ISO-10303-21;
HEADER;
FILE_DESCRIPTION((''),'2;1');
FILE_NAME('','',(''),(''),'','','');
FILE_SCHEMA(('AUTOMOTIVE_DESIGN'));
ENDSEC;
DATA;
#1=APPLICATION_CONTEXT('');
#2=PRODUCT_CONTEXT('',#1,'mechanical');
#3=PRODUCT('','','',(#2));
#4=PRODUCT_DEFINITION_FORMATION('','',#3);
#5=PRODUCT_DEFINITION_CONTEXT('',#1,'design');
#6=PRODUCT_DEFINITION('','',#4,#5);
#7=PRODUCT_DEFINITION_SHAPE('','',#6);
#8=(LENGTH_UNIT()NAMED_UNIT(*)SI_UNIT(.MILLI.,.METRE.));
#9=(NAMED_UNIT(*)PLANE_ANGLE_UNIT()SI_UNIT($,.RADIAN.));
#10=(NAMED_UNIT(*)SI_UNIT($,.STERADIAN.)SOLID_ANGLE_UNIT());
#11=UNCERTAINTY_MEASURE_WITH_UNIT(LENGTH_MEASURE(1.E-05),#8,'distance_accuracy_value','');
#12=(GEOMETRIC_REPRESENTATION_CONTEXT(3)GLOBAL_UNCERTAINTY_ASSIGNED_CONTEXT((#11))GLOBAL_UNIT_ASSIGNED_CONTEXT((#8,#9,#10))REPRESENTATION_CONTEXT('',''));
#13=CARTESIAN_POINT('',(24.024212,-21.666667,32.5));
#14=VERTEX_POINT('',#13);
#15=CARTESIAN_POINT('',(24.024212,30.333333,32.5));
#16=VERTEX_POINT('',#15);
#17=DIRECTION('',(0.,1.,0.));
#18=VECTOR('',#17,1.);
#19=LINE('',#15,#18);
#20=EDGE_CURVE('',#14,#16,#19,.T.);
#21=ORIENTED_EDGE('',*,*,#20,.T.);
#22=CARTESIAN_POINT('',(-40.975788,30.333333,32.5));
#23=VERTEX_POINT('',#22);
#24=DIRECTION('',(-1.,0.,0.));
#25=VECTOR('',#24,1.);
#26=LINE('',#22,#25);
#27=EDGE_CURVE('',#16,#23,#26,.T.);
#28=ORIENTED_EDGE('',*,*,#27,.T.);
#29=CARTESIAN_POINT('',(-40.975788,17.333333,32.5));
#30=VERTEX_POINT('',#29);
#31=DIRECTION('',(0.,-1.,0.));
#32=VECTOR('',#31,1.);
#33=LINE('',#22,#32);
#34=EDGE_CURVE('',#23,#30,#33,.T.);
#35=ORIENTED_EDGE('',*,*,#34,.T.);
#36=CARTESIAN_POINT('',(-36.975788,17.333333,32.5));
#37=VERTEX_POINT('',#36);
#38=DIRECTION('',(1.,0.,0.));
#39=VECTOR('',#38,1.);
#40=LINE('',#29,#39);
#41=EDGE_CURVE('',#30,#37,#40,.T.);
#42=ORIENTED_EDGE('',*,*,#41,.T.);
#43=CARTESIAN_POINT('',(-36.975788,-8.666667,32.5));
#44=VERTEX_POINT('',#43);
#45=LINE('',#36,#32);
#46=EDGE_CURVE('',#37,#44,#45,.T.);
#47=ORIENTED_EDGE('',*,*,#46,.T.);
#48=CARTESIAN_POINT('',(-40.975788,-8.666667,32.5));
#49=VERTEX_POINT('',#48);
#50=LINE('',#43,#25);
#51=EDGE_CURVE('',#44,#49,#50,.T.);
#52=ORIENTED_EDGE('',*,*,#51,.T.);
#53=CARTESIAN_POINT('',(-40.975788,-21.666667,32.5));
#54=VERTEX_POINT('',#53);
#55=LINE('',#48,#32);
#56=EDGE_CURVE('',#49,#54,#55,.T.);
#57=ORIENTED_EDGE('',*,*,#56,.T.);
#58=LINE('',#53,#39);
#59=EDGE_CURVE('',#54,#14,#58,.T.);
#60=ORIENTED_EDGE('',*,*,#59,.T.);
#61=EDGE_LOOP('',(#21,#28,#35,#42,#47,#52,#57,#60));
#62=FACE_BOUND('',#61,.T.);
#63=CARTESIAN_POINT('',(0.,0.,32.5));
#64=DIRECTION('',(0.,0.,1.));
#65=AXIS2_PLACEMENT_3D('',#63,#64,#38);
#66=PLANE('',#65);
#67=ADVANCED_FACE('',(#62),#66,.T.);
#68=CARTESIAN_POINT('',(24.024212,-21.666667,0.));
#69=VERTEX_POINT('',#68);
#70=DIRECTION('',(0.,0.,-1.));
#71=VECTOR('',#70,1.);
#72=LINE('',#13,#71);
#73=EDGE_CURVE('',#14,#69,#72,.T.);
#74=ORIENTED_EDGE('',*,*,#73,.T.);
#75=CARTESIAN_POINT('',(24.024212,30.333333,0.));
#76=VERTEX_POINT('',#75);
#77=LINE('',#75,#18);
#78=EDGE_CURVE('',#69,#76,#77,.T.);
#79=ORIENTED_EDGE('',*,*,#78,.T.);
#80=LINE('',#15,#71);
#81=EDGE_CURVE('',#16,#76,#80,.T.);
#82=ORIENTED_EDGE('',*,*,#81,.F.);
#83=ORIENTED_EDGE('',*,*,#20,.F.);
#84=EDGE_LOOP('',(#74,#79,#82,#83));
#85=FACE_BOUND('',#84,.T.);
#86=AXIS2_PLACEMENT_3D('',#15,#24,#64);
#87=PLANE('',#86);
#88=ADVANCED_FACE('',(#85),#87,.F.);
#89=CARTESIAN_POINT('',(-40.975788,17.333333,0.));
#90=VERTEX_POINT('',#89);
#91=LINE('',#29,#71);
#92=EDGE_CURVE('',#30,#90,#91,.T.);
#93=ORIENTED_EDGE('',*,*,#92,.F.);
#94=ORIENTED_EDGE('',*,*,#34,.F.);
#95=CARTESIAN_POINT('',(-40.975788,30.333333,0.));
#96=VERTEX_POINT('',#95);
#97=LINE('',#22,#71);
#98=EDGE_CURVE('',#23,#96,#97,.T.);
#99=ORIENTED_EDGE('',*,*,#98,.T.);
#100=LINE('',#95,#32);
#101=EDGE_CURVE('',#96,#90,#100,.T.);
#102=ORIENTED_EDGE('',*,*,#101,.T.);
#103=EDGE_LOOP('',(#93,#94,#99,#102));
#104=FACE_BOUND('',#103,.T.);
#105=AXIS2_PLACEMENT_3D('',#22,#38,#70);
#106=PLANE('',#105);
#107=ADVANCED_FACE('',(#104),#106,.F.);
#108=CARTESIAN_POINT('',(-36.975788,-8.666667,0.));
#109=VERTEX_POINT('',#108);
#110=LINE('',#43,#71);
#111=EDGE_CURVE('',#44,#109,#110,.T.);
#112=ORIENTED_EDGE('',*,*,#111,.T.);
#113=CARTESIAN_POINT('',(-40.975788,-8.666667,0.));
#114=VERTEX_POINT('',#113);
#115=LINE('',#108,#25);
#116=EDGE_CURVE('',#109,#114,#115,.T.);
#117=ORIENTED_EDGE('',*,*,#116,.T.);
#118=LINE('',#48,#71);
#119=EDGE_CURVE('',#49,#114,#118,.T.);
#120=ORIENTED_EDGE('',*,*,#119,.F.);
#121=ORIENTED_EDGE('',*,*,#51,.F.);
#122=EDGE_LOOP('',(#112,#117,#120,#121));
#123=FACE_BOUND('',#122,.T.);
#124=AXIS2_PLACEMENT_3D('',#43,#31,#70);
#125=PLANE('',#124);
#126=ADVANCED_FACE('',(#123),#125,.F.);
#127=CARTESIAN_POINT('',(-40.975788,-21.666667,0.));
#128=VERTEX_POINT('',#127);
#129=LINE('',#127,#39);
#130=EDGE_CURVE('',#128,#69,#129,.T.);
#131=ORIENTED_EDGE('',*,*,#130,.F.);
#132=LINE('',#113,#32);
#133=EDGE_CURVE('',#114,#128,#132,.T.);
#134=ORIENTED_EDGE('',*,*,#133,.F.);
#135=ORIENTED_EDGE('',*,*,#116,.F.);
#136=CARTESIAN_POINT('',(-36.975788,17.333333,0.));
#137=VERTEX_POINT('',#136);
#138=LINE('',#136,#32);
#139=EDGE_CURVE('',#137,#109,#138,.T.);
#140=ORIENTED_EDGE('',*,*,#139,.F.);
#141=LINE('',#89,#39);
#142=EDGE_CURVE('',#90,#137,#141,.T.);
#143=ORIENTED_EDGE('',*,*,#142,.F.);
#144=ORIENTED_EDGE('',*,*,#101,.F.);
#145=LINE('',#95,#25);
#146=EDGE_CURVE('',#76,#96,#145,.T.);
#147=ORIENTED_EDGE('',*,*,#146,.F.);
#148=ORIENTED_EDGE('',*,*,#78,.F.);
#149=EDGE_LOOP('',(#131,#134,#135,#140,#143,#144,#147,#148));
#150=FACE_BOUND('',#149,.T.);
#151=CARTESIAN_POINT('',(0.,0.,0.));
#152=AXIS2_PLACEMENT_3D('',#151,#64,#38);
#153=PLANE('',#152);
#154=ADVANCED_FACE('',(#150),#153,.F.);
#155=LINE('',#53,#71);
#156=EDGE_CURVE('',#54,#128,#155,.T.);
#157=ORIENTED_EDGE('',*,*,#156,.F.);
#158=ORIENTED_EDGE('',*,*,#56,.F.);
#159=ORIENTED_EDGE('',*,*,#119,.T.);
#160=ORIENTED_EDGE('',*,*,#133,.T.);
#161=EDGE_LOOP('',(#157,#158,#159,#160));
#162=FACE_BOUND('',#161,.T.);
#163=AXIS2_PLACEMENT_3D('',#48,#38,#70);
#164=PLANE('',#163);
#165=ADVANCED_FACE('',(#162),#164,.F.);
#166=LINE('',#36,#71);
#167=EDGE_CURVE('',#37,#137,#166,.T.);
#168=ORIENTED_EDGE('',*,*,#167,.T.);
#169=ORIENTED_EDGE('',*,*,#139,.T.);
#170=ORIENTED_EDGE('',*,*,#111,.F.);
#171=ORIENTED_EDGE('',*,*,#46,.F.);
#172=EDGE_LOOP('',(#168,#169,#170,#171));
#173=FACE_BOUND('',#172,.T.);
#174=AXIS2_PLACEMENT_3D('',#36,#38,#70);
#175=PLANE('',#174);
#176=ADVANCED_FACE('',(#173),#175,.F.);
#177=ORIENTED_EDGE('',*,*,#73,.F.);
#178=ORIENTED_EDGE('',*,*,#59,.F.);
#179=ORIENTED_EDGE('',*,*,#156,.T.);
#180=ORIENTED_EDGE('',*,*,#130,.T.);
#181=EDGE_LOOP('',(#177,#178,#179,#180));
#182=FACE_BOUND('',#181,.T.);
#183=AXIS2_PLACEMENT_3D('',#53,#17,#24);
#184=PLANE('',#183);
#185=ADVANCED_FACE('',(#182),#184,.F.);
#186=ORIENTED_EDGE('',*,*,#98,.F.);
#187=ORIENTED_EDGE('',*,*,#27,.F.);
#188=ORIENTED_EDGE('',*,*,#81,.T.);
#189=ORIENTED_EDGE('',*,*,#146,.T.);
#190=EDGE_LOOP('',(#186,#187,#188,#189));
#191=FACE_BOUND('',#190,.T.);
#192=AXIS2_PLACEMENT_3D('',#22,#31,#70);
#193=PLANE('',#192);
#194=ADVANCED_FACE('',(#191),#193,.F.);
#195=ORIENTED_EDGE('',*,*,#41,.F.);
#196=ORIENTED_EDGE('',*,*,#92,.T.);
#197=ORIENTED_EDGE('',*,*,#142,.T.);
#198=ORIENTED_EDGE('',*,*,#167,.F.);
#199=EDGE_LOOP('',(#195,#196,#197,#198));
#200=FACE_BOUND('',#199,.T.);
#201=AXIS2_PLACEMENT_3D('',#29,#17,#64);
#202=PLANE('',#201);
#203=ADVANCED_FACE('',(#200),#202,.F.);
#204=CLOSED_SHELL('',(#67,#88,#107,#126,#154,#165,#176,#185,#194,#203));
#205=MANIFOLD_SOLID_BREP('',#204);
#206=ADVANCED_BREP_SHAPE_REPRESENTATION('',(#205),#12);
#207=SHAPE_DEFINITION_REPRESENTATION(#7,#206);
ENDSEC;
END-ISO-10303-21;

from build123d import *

# Parameters (mm, degrees)
RESSALTO_EXTRUS_O1_DEPTH = 32.5


with BuildPart() as part:
    # Esboço1 → Ressalto-extrusão1 (new body)
    with BuildSketch(Plane.XY):
        Polygon((-40.975787988, 17.333333333), (-36.975787988, 17.333333333), (-36.975787988, -8.666666667), (-40.975787988, -8.666666667), (-40.975787988, -21.666666667), (24.024212012, -21.666666667), (24.024212012, 30.333333333), (-40.975787988, 30.333333333), align=None)
    extrude(amount=RESSALTO_EXTRUS_O1_DEPTH)


solid = part.part
